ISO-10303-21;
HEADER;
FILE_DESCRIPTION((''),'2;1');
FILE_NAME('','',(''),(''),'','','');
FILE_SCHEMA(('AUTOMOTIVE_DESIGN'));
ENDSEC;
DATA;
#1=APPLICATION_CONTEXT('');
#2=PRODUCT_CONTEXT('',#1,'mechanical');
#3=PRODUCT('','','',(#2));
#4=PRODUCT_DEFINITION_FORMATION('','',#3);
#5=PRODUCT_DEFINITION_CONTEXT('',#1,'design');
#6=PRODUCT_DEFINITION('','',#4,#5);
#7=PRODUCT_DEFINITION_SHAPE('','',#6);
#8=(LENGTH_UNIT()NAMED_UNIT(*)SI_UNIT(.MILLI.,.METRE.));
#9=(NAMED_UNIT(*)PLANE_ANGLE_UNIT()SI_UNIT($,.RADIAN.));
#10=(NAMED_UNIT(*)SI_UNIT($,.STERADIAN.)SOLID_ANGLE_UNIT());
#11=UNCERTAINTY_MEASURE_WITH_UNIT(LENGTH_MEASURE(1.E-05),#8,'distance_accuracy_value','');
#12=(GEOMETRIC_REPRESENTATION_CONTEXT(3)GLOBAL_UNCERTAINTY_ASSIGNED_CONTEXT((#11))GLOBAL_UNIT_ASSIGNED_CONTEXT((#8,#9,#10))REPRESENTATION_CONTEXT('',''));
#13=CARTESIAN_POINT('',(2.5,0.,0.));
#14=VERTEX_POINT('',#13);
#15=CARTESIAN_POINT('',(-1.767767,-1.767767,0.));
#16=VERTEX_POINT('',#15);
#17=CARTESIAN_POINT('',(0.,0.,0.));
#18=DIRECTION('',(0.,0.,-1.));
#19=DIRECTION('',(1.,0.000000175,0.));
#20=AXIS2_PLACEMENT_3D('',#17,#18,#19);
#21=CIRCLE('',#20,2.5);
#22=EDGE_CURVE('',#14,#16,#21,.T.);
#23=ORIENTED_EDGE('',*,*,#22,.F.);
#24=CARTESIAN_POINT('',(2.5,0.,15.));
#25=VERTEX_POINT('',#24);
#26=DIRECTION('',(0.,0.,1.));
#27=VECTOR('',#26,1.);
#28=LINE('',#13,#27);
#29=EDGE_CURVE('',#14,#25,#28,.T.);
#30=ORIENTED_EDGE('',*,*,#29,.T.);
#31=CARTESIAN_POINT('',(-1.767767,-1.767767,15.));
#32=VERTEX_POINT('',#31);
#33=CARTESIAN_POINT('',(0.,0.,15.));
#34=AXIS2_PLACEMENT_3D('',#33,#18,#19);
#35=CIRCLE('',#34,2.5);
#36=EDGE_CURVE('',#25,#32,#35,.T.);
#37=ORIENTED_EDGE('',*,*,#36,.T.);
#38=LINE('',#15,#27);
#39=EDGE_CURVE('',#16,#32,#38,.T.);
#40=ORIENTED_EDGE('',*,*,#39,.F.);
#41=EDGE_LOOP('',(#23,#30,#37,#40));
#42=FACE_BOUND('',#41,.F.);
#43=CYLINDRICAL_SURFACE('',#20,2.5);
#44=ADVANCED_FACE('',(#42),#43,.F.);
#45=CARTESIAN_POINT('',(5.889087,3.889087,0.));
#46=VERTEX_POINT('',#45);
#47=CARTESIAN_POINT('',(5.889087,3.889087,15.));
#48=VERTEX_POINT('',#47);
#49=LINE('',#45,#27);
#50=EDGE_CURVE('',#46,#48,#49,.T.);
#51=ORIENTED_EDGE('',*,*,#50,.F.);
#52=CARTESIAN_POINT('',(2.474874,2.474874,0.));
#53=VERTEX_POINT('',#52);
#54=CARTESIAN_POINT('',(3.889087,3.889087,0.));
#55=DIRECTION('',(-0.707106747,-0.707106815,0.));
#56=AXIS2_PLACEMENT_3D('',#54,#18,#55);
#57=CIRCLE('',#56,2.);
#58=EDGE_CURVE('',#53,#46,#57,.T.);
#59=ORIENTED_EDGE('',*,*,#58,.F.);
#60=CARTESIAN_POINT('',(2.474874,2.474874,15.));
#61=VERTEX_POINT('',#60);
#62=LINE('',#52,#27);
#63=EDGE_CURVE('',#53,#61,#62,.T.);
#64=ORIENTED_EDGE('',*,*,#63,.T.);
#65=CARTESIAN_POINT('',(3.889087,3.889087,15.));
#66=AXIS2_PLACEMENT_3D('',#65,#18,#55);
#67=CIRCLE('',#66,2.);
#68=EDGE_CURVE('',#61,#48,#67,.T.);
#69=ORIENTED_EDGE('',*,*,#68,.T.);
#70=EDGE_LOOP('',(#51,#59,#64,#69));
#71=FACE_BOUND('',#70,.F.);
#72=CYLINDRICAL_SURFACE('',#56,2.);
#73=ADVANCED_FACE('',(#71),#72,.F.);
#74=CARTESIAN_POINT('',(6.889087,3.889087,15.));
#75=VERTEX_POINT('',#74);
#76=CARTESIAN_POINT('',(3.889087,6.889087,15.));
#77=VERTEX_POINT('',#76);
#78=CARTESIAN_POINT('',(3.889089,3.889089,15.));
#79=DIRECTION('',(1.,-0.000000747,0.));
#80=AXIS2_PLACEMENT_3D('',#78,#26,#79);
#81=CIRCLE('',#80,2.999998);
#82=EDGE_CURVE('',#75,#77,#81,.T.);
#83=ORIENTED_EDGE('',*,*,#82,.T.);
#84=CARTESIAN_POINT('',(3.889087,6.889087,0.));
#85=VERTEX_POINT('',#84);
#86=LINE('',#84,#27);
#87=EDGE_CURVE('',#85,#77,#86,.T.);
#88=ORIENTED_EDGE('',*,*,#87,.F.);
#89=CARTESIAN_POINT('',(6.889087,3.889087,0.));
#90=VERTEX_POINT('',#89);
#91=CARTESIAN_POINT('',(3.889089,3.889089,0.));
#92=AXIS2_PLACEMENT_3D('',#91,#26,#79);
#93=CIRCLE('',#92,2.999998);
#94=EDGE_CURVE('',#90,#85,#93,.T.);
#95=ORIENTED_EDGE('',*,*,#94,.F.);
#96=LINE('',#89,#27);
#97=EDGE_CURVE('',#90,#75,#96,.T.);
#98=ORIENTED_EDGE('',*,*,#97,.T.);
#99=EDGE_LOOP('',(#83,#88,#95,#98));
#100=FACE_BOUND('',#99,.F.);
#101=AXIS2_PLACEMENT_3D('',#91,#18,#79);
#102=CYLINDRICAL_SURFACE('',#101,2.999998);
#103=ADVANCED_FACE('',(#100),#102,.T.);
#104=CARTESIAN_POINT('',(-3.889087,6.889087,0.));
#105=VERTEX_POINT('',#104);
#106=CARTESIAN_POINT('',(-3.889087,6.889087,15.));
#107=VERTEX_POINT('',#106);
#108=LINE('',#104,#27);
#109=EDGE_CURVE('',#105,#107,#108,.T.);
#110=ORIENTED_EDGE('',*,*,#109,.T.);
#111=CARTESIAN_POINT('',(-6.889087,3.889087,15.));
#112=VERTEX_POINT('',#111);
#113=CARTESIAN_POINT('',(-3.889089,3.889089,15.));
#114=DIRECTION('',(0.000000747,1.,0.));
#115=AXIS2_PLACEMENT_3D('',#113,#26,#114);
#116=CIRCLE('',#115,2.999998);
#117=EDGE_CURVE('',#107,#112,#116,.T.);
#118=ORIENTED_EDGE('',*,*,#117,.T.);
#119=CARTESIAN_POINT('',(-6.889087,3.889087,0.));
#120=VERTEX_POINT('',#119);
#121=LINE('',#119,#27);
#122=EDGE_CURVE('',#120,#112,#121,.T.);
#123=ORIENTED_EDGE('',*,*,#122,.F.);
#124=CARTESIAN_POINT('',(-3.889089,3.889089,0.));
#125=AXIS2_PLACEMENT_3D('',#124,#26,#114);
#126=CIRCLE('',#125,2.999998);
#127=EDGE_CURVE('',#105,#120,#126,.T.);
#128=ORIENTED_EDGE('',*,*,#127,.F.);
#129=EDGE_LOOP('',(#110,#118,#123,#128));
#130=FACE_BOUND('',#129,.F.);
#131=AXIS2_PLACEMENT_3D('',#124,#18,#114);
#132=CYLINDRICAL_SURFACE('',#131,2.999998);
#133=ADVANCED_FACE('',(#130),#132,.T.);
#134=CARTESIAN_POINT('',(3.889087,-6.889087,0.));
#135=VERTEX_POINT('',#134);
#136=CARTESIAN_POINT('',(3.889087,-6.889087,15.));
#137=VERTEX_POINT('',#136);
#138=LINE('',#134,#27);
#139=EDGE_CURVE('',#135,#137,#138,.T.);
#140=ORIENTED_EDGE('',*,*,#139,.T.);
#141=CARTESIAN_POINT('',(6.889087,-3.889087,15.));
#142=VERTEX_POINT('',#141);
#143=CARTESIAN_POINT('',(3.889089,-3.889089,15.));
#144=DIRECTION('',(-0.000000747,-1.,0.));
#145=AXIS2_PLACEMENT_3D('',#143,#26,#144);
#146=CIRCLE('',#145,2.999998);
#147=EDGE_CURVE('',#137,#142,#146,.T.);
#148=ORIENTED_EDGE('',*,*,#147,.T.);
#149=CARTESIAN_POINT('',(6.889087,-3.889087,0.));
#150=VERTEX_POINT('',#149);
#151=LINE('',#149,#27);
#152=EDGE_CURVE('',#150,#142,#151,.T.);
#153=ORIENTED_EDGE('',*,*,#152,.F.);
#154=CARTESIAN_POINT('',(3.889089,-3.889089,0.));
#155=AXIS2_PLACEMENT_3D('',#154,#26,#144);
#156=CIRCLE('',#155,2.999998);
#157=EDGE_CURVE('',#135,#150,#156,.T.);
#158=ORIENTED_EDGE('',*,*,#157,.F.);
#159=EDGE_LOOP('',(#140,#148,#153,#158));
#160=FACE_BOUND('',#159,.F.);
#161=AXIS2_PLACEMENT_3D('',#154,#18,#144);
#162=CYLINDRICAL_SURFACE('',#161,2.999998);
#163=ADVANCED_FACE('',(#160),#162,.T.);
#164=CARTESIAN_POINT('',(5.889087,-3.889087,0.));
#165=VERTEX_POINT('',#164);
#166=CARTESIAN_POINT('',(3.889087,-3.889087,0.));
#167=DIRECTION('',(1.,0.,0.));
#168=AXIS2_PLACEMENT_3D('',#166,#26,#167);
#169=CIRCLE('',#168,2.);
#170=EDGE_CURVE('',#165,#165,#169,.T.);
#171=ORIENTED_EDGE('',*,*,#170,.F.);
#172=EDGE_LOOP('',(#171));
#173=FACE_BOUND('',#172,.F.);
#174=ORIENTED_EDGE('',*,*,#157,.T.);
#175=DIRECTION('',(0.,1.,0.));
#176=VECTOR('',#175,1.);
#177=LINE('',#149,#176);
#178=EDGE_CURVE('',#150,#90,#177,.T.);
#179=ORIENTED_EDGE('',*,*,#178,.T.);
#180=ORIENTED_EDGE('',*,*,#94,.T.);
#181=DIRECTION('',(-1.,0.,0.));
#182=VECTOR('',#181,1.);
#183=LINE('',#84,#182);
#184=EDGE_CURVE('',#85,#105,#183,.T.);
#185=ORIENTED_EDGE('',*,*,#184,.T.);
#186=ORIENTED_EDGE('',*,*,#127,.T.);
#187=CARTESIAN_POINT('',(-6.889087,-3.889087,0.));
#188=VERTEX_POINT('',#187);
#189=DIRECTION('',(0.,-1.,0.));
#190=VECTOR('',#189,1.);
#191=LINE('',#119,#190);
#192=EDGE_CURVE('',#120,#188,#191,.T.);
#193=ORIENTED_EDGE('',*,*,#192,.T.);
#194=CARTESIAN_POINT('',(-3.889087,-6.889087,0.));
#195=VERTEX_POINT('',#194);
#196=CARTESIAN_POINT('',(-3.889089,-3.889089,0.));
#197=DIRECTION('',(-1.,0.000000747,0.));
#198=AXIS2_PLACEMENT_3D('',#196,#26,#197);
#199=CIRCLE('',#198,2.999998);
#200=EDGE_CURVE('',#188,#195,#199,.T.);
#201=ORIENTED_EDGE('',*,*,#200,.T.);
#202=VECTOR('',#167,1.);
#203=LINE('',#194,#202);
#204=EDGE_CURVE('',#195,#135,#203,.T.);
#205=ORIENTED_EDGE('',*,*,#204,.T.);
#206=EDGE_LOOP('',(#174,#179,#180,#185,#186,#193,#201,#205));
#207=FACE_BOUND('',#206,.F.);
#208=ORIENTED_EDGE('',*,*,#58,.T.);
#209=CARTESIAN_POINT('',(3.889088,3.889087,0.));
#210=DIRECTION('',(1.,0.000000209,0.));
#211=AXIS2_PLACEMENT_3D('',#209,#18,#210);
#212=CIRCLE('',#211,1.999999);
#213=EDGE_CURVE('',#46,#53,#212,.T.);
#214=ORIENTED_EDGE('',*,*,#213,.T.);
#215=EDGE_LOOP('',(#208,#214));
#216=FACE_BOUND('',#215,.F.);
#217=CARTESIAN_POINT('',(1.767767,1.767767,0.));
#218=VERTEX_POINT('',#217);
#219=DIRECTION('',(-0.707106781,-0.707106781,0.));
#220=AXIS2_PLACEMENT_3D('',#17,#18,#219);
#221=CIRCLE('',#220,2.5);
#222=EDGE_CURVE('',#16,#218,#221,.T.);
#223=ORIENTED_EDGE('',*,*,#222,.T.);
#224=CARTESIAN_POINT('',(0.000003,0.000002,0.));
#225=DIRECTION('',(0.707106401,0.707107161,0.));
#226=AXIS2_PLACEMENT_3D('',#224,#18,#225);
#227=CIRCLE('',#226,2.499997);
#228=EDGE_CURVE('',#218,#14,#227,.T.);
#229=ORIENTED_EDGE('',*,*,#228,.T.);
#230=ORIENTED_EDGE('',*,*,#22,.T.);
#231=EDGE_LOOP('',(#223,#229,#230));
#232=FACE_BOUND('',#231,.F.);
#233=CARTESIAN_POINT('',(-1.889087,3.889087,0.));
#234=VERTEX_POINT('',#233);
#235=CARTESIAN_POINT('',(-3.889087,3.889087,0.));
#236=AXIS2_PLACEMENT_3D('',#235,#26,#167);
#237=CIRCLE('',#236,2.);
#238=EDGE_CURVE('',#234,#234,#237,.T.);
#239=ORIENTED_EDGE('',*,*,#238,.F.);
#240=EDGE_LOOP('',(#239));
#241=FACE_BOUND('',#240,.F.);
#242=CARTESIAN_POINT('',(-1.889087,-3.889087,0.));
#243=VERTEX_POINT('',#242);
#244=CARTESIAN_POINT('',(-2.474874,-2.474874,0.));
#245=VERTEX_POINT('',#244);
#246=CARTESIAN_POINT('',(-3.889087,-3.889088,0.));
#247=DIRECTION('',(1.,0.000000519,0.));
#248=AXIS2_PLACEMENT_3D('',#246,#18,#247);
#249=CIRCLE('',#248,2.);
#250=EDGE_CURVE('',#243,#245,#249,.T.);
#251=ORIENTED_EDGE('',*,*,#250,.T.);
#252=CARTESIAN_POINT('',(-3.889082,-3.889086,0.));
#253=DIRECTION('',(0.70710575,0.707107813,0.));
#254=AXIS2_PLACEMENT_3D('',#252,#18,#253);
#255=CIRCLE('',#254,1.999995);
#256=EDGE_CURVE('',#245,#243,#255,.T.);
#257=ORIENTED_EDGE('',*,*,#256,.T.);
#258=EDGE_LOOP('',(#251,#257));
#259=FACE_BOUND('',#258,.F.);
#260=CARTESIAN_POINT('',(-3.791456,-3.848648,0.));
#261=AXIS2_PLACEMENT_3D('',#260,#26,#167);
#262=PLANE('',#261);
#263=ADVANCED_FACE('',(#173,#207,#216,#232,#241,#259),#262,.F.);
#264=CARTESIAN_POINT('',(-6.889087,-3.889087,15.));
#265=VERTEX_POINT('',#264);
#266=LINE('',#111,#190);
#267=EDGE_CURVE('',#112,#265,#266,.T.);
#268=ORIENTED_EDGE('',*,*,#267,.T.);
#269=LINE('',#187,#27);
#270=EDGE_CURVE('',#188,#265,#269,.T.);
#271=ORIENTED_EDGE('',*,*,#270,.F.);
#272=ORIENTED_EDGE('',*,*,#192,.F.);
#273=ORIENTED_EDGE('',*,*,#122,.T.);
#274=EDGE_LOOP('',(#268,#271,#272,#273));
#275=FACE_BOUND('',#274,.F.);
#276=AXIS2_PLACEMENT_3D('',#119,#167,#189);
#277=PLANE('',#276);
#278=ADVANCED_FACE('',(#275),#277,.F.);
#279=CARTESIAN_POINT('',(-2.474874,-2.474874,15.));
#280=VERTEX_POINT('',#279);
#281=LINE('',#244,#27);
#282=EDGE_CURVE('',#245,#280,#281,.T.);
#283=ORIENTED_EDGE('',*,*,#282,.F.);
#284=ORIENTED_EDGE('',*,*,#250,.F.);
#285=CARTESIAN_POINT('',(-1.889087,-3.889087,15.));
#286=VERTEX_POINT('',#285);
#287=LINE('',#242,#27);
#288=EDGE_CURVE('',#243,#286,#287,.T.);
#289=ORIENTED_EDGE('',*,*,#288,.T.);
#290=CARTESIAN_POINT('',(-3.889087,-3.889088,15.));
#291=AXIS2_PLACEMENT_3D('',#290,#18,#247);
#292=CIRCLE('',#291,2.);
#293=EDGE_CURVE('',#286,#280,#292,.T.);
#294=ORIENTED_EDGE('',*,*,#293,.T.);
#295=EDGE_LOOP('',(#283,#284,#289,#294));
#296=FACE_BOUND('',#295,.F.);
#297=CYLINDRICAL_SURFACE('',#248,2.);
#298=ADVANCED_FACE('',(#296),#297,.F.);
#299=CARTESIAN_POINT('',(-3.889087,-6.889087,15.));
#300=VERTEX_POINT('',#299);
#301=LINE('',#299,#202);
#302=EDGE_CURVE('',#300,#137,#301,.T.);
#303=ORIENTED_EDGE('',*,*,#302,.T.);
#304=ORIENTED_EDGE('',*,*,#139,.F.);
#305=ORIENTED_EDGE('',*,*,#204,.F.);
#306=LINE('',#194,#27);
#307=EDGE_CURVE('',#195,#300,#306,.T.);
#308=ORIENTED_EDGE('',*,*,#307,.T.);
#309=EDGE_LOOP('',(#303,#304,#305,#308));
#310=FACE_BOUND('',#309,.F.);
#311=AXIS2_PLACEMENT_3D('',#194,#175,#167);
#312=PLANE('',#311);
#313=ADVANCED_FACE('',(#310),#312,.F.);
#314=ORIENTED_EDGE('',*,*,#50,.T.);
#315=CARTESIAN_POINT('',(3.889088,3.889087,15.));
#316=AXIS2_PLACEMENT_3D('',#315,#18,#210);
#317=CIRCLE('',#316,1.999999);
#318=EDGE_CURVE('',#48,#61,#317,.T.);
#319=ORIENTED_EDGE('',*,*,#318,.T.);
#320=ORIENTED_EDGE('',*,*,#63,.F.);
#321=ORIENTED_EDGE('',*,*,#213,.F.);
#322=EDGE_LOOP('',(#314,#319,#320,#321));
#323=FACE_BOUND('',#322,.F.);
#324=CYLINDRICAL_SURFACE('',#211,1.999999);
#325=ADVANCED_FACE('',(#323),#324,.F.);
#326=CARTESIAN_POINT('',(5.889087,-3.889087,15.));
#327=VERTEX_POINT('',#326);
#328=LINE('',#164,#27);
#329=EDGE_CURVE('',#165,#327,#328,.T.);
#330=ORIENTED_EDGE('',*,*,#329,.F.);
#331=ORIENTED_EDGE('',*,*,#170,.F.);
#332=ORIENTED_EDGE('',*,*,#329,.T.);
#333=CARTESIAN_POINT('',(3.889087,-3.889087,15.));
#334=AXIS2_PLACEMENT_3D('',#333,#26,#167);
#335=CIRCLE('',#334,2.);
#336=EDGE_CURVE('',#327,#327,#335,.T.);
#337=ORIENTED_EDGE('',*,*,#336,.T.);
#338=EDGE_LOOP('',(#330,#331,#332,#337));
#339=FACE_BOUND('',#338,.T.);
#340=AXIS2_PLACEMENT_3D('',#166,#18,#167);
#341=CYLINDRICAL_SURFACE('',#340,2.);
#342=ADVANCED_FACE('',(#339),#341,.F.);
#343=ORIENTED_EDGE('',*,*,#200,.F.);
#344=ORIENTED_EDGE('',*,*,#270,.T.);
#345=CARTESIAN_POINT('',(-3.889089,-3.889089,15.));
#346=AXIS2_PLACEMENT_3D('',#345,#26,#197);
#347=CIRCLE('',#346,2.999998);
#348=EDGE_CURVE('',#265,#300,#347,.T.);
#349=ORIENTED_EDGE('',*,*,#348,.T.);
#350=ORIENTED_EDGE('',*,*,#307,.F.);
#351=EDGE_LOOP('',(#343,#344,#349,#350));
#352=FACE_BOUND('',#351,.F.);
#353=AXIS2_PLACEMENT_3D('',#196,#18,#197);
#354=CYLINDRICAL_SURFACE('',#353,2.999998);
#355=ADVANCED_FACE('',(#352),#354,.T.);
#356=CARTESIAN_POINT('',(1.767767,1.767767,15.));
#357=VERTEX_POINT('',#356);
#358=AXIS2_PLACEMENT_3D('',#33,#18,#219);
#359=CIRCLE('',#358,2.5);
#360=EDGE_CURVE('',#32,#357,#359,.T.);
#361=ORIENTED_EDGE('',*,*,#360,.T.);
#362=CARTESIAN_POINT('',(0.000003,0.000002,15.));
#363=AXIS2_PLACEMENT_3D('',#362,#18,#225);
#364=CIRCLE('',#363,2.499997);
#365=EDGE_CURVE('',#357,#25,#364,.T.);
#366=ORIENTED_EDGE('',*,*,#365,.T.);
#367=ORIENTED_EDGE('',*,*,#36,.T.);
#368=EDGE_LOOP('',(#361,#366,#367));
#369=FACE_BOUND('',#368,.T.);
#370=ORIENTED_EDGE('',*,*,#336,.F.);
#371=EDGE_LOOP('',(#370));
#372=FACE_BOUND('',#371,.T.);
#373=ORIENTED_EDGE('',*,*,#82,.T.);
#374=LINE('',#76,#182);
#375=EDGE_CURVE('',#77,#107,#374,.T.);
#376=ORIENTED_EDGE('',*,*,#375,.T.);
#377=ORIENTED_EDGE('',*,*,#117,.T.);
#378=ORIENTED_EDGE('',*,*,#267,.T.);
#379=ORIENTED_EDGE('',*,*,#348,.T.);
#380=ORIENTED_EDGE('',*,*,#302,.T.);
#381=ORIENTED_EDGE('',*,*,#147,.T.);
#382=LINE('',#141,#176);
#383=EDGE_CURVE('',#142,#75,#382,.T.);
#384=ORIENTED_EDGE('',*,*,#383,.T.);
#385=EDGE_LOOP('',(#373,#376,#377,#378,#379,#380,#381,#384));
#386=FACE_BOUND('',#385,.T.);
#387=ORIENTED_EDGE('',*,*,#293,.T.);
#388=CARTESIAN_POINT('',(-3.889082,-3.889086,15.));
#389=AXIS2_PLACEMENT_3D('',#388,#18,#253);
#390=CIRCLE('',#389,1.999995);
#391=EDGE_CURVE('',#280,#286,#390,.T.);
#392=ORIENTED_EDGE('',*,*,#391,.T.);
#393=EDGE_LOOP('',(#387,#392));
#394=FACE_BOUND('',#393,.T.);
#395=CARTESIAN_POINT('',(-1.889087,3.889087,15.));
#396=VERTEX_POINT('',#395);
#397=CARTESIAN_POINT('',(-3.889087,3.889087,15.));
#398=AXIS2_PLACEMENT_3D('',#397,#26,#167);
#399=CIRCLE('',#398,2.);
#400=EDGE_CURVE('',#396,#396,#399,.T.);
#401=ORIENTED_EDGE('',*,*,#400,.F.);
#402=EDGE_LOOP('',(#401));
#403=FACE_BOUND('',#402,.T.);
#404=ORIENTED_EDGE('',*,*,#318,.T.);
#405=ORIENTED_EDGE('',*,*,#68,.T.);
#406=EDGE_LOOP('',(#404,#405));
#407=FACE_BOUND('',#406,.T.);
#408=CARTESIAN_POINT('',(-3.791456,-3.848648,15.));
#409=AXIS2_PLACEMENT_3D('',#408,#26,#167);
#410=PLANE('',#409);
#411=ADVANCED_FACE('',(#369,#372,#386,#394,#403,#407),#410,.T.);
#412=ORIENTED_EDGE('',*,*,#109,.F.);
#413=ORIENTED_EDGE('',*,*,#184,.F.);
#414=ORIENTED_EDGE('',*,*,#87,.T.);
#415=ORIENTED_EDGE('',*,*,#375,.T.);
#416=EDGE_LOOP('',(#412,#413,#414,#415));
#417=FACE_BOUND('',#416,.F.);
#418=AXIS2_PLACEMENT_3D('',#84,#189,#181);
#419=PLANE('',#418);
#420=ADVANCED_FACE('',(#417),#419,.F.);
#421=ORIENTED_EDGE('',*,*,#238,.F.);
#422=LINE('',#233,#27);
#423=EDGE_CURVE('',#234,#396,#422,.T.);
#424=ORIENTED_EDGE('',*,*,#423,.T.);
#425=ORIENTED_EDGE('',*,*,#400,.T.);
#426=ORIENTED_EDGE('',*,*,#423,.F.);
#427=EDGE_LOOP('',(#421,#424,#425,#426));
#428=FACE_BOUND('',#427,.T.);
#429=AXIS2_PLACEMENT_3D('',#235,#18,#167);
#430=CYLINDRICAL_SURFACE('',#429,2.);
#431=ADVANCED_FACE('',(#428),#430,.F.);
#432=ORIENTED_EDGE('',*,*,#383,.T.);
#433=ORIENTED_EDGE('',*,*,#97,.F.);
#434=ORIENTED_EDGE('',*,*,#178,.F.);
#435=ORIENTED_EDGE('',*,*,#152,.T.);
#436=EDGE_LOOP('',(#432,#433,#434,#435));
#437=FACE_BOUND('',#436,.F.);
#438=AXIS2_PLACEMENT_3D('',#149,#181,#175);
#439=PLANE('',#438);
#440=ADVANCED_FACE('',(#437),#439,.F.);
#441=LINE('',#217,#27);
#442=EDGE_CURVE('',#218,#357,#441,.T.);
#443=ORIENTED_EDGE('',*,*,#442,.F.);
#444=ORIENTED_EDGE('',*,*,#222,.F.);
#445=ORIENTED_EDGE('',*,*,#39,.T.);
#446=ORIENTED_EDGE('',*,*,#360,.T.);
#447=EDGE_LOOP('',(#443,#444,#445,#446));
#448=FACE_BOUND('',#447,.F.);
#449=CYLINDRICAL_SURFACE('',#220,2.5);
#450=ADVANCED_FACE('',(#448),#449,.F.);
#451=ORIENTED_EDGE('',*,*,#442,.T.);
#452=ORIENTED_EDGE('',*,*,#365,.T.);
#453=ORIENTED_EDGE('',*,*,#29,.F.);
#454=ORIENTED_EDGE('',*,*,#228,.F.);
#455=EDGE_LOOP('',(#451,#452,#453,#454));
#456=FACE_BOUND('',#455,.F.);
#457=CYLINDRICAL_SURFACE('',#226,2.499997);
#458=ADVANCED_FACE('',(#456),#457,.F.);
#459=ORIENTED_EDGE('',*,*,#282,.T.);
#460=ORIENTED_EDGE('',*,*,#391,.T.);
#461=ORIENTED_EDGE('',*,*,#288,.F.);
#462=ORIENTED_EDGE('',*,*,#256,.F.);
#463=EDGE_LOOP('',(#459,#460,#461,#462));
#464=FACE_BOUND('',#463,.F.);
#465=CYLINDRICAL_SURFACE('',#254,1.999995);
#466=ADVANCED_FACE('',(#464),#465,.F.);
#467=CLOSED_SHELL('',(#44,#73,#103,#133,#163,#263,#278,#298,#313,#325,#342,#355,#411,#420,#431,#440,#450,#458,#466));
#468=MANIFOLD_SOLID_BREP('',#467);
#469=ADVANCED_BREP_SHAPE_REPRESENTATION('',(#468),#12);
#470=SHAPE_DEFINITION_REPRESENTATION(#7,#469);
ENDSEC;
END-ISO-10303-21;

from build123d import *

# Parameters (mm, degrees)
F0_R     = 2
F1_DEPTH = 15


with BuildPart() as f1:
    # F0 (on Top) → F1 (new body)
    with BuildSketch(Plane.XY):
        with BuildLine():
            ThreePointArc((-2.474874, -2.474874), (-5.736846, -4.654454), (-1.889087, -3.889087))
            ThreePointArc((-1.889087, -3.889087), (-2.041328, -3.12372), (-2.474874, -2.474874))
        make_face()
        with BuildLine():
            ThreePointArc((5.889087, 3.889087), (3.12372, 5.736846), (2.474874, 2.474874))
            ThreePointArc((2.474874, 2.474874), (4.654454, 2.041328), (5.889087, 3.889087))
        make_face()
        with BuildLine():
            ThreePointArc((-6.889087, -3.889087), (-6.010408, -6.010408), (-3.889087, -6.889087))
            Line((-3.889087, -6.889087), (3.889087, -6.889087))
            ThreePointArc((3.889087, -6.889087), (6.010408, -6.010408), (6.889087, -3.889087))
            Line((6.889087, -3.889087), (6.889087, 3.889087))
            ThreePointArc((6.889087, 3.889087), (6.010408, 6.010408), (3.889087, 6.889087))
            Line((3.889087, 6.889087), (-3.889087, 6.889087))
            ThreePointArc((-3.889087, 6.889087), (-6.010408, 6.010408), (-6.889087, 3.889087))
            Line((-6.889087, 3.889087), (-6.889087, -3.889087))
        make_face()
        with BuildLine():
            ThreePointArc((-2.474874, -2.474874), (-2.041328, -3.12372), (-1.889087, -3.889087))
            ThreePointArc((-1.889087, -3.889087), (-5.736846, -4.654454), (-2.474874, -2.474874))
        make_face(mode=Mode.SUBTRACT)
        with Locations((3.889087, -3.889087)):
            Circle(F0_R, mode=Mode.SUBTRACT)
        with Locations((-3.889087, 3.889087)):
            Circle(F0_R, mode=Mode.SUBTRACT)
        with BuildLine():
            ThreePointArc((2.5, 0), (0.956709, -2.309699), (-1.767767, -1.767767))
            ThreePointArc((-1.767767, -1.767767), (-1.767767, 1.767767), (1.767767, 1.767767))
            ThreePointArc((1.767767, 1.767767), (2.309699, 0.956709), (2.5, 0))
        make_face(mode=Mode.SUBTRACT)
        with BuildLine():
            ThreePointArc((5.889087, 3.889087), (4.654454, 2.041328), (2.474874, 2.474874))
            ThreePointArc((2.474874, 2.474874), (3.12372, 5.736846), (5.889087, 3.889087))
        make_face(mode=Mode.SUBTRACT)
    extrude(amount=F1_DEPTH)


solid = f1.part
